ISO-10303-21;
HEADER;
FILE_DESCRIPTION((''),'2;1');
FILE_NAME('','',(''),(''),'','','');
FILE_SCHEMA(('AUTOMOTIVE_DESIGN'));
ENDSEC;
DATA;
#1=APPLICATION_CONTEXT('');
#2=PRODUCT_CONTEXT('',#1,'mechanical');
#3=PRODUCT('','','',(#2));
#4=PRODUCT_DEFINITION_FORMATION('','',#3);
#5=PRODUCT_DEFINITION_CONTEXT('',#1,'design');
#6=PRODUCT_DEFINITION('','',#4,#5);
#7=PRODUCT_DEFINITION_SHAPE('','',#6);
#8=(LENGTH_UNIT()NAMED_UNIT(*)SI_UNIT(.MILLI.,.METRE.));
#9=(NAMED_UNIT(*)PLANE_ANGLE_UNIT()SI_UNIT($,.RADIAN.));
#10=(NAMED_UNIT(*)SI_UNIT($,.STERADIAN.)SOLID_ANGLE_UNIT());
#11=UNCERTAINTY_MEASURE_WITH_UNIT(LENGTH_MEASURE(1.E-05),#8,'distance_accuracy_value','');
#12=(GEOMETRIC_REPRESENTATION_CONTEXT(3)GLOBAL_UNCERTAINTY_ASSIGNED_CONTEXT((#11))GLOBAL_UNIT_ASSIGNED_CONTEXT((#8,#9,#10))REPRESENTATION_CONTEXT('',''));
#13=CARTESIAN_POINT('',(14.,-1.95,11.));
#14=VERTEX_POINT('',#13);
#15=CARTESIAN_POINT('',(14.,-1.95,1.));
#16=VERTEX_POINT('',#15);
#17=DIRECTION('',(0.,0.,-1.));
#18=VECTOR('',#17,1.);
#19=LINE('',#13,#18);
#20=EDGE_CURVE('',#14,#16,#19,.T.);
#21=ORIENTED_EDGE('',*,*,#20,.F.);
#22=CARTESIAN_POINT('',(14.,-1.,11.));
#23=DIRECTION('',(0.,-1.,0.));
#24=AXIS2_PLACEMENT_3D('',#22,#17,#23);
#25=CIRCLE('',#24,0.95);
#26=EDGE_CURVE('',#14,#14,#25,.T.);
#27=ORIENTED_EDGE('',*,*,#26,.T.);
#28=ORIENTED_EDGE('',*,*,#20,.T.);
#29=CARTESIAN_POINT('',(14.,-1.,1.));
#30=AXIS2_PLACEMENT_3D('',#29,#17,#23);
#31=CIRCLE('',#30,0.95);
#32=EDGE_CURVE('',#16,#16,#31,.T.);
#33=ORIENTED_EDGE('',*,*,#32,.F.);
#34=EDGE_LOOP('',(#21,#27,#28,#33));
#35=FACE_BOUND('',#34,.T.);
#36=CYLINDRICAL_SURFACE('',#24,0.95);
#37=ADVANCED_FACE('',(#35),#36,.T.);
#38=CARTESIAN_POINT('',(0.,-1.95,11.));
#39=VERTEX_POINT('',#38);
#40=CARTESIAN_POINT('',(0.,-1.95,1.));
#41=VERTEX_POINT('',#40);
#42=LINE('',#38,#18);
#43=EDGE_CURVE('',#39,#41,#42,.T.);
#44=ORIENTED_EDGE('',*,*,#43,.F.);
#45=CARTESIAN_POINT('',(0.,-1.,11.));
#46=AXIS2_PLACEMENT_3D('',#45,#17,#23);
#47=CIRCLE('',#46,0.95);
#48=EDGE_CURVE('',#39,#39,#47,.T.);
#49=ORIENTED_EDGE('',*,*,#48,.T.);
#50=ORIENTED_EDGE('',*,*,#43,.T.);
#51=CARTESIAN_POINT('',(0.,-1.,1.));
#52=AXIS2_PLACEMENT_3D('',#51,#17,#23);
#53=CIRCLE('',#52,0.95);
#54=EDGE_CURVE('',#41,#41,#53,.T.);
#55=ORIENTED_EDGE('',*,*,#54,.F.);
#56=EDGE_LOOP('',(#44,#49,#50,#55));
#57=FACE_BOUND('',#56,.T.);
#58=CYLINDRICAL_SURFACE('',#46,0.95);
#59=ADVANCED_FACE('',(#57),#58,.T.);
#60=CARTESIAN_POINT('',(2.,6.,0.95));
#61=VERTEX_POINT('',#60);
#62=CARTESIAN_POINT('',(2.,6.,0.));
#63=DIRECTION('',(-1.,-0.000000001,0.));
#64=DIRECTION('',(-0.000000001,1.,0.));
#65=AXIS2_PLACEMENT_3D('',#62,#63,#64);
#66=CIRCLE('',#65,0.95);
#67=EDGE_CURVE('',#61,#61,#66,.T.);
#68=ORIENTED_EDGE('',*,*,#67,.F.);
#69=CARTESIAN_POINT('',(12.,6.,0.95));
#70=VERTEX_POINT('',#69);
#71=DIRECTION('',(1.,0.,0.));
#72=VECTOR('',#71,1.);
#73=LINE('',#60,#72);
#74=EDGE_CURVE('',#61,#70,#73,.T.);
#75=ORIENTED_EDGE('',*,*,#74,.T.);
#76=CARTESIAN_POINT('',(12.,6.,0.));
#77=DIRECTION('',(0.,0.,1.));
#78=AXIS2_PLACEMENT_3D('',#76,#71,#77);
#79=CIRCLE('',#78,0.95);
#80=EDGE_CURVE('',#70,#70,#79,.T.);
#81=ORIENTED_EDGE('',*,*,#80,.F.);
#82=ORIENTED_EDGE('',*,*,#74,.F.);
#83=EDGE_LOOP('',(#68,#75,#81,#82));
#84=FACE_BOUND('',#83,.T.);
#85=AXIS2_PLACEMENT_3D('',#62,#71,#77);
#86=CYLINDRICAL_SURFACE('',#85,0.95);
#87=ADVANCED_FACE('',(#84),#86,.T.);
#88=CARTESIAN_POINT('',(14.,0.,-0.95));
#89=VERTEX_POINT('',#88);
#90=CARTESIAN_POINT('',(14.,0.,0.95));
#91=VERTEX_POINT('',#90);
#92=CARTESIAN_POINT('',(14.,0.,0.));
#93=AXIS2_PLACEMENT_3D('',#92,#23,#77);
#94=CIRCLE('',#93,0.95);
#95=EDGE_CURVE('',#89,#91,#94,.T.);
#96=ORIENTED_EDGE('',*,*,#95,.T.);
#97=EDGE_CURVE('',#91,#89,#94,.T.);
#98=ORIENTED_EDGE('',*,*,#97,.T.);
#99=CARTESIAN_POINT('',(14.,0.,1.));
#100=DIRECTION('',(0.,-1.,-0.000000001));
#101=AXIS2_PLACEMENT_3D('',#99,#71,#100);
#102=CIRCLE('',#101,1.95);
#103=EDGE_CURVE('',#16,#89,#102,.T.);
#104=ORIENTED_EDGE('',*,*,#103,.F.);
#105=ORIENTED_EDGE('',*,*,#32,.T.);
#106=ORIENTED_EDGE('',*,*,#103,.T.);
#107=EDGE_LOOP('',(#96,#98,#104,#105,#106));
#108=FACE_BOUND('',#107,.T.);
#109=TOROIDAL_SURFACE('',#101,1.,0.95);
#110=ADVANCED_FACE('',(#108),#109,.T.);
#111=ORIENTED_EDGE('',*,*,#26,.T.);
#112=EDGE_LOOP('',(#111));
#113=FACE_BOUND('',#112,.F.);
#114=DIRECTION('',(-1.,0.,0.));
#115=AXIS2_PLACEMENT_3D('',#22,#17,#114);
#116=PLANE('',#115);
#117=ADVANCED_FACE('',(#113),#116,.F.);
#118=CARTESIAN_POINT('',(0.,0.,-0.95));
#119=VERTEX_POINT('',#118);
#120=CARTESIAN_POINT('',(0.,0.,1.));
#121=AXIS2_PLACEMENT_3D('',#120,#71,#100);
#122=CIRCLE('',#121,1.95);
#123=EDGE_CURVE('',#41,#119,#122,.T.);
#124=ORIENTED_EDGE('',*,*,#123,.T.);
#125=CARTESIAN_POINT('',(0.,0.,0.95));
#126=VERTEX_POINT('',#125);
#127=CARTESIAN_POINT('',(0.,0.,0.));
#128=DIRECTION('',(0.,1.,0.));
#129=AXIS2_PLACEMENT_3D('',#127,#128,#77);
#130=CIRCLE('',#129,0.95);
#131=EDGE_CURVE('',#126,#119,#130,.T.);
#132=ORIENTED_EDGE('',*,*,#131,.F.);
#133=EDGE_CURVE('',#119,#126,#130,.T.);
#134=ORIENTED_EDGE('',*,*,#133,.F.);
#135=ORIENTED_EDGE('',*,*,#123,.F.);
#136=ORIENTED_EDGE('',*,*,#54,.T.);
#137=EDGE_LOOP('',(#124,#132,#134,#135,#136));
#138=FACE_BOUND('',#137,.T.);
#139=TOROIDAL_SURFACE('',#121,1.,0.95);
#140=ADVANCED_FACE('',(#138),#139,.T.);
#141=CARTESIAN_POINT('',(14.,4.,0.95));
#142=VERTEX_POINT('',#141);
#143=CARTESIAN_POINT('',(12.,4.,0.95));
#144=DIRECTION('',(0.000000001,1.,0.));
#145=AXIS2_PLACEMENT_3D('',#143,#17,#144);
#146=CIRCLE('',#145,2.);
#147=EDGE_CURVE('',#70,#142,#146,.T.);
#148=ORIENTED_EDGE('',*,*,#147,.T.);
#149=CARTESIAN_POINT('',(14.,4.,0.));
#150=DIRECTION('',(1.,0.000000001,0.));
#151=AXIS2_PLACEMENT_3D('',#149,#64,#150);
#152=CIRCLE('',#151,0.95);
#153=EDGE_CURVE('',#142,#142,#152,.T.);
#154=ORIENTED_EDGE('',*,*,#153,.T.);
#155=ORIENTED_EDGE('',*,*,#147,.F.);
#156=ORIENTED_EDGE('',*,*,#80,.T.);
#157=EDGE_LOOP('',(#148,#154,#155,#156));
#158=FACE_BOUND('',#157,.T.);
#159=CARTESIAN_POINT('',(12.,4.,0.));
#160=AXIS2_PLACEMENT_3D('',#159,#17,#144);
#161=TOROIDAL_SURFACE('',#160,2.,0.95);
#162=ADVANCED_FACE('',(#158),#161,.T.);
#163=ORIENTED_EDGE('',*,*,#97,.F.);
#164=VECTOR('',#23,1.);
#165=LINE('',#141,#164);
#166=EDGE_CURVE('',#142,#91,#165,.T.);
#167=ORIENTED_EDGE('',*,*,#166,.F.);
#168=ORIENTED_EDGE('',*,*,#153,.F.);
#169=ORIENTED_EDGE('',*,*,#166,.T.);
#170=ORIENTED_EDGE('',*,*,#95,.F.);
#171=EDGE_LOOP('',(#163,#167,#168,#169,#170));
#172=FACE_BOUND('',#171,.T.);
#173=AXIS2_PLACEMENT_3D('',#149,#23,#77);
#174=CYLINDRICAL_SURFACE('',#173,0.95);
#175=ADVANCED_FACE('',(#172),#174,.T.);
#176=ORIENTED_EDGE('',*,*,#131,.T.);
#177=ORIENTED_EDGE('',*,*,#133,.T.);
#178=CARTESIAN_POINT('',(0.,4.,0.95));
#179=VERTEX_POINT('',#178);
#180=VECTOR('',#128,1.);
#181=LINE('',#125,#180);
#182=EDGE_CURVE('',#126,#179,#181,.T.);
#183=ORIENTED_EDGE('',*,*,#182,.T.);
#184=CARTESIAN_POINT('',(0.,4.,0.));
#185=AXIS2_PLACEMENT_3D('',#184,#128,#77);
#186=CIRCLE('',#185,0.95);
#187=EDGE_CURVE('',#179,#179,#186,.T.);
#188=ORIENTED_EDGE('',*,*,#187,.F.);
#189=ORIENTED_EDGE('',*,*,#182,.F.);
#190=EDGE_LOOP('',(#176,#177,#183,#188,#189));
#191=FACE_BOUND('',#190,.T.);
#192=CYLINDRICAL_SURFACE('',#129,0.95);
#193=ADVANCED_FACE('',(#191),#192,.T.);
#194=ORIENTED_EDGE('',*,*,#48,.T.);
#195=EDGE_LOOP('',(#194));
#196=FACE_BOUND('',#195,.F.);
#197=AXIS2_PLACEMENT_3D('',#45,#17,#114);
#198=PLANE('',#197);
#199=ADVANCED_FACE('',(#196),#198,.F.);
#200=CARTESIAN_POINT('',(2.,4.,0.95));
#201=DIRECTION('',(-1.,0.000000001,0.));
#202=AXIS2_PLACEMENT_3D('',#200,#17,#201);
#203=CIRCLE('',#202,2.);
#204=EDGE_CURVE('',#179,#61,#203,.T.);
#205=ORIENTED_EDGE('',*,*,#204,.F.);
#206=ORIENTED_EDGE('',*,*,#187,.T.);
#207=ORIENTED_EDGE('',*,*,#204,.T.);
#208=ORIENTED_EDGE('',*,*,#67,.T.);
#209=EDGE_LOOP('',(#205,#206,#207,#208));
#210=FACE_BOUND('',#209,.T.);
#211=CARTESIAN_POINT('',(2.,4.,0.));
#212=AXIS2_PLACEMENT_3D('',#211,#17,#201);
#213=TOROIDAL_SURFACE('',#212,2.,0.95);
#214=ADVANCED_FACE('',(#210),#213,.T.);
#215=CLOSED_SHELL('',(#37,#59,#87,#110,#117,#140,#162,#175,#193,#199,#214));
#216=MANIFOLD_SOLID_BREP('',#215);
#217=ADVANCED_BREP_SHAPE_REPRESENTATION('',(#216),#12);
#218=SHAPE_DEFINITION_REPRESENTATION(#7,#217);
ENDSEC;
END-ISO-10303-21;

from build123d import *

# Parameters (mm, degrees)
SWEEP5_PROFILE_R = 0.95
SWEEP6_PROFILE_R = 0.95
SWEEP7_PROFILE_R = 0.95


with BuildPart() as part:
    # Sweep5: sweep along a path in Sketch1
    with BuildLine(Plane.XY) as sweep5_path:
        Line((0, 0), (0, 4))
        ThreePointArc((0, 4), (0.585786438, 5.414213562), (2, 6))
        Line((2, 6), (12, 6))
        ThreePointArc((12, 6), (13.414213562, 5.414213562), (14, 4))
        Line((14, 4), (14, 0))
    # Sweep5 profile (on start of the path) → Sweep5 (sweep)
    with BuildSketch(Plane.ZX):
        Circle(SWEEP5_PROFILE_R)
    sweep(path=sweep5_path.line)

    # Sweep6: sweep along a path in Sketch3
    with BuildLine(Plane(origin=(14, 0, 0), x_dir=(0, -1, 0), z_dir=(-1, 0, 0))) as sweep6_path:
        Line((1, 11), (1, 1))
        ThreePointArc((1, 1), (0.707106781, 0.292893219), (0, 0))
    # Sweep6 profile (on start of the path) → Sweep6 (sweep)
    with BuildSketch(Plane(origin=(14, -1, 11), x_dir=(0, -1, 0), z_dir=(0, 0, -1))):
        Circle(SWEEP6_PROFILE_R)
    sweep(path=sweep6_path.line)

    # Sweep7: sweep along a path in Sketch2
    with BuildLine(Plane(origin=(0, 0, 0), x_dir=(0, 0, -1), z_dir=(1, 0, 0))) as sweep7_path:
        Line((-11, -1), (-1, -1))
        ThreePointArc((-1, -1), (-0.292893219, -0.707106781), (0, 0))
    # Sweep7 profile (on start of the path) → Sweep7 (sweep)
    with BuildSketch(Plane(origin=(0, -1, 11), x_dir=(0, -1, 0), z_dir=(0, 0, -1))):
        Circle(SWEEP7_PROFILE_R)
    sweep(path=sweep7_path.line)


solid = part.part
